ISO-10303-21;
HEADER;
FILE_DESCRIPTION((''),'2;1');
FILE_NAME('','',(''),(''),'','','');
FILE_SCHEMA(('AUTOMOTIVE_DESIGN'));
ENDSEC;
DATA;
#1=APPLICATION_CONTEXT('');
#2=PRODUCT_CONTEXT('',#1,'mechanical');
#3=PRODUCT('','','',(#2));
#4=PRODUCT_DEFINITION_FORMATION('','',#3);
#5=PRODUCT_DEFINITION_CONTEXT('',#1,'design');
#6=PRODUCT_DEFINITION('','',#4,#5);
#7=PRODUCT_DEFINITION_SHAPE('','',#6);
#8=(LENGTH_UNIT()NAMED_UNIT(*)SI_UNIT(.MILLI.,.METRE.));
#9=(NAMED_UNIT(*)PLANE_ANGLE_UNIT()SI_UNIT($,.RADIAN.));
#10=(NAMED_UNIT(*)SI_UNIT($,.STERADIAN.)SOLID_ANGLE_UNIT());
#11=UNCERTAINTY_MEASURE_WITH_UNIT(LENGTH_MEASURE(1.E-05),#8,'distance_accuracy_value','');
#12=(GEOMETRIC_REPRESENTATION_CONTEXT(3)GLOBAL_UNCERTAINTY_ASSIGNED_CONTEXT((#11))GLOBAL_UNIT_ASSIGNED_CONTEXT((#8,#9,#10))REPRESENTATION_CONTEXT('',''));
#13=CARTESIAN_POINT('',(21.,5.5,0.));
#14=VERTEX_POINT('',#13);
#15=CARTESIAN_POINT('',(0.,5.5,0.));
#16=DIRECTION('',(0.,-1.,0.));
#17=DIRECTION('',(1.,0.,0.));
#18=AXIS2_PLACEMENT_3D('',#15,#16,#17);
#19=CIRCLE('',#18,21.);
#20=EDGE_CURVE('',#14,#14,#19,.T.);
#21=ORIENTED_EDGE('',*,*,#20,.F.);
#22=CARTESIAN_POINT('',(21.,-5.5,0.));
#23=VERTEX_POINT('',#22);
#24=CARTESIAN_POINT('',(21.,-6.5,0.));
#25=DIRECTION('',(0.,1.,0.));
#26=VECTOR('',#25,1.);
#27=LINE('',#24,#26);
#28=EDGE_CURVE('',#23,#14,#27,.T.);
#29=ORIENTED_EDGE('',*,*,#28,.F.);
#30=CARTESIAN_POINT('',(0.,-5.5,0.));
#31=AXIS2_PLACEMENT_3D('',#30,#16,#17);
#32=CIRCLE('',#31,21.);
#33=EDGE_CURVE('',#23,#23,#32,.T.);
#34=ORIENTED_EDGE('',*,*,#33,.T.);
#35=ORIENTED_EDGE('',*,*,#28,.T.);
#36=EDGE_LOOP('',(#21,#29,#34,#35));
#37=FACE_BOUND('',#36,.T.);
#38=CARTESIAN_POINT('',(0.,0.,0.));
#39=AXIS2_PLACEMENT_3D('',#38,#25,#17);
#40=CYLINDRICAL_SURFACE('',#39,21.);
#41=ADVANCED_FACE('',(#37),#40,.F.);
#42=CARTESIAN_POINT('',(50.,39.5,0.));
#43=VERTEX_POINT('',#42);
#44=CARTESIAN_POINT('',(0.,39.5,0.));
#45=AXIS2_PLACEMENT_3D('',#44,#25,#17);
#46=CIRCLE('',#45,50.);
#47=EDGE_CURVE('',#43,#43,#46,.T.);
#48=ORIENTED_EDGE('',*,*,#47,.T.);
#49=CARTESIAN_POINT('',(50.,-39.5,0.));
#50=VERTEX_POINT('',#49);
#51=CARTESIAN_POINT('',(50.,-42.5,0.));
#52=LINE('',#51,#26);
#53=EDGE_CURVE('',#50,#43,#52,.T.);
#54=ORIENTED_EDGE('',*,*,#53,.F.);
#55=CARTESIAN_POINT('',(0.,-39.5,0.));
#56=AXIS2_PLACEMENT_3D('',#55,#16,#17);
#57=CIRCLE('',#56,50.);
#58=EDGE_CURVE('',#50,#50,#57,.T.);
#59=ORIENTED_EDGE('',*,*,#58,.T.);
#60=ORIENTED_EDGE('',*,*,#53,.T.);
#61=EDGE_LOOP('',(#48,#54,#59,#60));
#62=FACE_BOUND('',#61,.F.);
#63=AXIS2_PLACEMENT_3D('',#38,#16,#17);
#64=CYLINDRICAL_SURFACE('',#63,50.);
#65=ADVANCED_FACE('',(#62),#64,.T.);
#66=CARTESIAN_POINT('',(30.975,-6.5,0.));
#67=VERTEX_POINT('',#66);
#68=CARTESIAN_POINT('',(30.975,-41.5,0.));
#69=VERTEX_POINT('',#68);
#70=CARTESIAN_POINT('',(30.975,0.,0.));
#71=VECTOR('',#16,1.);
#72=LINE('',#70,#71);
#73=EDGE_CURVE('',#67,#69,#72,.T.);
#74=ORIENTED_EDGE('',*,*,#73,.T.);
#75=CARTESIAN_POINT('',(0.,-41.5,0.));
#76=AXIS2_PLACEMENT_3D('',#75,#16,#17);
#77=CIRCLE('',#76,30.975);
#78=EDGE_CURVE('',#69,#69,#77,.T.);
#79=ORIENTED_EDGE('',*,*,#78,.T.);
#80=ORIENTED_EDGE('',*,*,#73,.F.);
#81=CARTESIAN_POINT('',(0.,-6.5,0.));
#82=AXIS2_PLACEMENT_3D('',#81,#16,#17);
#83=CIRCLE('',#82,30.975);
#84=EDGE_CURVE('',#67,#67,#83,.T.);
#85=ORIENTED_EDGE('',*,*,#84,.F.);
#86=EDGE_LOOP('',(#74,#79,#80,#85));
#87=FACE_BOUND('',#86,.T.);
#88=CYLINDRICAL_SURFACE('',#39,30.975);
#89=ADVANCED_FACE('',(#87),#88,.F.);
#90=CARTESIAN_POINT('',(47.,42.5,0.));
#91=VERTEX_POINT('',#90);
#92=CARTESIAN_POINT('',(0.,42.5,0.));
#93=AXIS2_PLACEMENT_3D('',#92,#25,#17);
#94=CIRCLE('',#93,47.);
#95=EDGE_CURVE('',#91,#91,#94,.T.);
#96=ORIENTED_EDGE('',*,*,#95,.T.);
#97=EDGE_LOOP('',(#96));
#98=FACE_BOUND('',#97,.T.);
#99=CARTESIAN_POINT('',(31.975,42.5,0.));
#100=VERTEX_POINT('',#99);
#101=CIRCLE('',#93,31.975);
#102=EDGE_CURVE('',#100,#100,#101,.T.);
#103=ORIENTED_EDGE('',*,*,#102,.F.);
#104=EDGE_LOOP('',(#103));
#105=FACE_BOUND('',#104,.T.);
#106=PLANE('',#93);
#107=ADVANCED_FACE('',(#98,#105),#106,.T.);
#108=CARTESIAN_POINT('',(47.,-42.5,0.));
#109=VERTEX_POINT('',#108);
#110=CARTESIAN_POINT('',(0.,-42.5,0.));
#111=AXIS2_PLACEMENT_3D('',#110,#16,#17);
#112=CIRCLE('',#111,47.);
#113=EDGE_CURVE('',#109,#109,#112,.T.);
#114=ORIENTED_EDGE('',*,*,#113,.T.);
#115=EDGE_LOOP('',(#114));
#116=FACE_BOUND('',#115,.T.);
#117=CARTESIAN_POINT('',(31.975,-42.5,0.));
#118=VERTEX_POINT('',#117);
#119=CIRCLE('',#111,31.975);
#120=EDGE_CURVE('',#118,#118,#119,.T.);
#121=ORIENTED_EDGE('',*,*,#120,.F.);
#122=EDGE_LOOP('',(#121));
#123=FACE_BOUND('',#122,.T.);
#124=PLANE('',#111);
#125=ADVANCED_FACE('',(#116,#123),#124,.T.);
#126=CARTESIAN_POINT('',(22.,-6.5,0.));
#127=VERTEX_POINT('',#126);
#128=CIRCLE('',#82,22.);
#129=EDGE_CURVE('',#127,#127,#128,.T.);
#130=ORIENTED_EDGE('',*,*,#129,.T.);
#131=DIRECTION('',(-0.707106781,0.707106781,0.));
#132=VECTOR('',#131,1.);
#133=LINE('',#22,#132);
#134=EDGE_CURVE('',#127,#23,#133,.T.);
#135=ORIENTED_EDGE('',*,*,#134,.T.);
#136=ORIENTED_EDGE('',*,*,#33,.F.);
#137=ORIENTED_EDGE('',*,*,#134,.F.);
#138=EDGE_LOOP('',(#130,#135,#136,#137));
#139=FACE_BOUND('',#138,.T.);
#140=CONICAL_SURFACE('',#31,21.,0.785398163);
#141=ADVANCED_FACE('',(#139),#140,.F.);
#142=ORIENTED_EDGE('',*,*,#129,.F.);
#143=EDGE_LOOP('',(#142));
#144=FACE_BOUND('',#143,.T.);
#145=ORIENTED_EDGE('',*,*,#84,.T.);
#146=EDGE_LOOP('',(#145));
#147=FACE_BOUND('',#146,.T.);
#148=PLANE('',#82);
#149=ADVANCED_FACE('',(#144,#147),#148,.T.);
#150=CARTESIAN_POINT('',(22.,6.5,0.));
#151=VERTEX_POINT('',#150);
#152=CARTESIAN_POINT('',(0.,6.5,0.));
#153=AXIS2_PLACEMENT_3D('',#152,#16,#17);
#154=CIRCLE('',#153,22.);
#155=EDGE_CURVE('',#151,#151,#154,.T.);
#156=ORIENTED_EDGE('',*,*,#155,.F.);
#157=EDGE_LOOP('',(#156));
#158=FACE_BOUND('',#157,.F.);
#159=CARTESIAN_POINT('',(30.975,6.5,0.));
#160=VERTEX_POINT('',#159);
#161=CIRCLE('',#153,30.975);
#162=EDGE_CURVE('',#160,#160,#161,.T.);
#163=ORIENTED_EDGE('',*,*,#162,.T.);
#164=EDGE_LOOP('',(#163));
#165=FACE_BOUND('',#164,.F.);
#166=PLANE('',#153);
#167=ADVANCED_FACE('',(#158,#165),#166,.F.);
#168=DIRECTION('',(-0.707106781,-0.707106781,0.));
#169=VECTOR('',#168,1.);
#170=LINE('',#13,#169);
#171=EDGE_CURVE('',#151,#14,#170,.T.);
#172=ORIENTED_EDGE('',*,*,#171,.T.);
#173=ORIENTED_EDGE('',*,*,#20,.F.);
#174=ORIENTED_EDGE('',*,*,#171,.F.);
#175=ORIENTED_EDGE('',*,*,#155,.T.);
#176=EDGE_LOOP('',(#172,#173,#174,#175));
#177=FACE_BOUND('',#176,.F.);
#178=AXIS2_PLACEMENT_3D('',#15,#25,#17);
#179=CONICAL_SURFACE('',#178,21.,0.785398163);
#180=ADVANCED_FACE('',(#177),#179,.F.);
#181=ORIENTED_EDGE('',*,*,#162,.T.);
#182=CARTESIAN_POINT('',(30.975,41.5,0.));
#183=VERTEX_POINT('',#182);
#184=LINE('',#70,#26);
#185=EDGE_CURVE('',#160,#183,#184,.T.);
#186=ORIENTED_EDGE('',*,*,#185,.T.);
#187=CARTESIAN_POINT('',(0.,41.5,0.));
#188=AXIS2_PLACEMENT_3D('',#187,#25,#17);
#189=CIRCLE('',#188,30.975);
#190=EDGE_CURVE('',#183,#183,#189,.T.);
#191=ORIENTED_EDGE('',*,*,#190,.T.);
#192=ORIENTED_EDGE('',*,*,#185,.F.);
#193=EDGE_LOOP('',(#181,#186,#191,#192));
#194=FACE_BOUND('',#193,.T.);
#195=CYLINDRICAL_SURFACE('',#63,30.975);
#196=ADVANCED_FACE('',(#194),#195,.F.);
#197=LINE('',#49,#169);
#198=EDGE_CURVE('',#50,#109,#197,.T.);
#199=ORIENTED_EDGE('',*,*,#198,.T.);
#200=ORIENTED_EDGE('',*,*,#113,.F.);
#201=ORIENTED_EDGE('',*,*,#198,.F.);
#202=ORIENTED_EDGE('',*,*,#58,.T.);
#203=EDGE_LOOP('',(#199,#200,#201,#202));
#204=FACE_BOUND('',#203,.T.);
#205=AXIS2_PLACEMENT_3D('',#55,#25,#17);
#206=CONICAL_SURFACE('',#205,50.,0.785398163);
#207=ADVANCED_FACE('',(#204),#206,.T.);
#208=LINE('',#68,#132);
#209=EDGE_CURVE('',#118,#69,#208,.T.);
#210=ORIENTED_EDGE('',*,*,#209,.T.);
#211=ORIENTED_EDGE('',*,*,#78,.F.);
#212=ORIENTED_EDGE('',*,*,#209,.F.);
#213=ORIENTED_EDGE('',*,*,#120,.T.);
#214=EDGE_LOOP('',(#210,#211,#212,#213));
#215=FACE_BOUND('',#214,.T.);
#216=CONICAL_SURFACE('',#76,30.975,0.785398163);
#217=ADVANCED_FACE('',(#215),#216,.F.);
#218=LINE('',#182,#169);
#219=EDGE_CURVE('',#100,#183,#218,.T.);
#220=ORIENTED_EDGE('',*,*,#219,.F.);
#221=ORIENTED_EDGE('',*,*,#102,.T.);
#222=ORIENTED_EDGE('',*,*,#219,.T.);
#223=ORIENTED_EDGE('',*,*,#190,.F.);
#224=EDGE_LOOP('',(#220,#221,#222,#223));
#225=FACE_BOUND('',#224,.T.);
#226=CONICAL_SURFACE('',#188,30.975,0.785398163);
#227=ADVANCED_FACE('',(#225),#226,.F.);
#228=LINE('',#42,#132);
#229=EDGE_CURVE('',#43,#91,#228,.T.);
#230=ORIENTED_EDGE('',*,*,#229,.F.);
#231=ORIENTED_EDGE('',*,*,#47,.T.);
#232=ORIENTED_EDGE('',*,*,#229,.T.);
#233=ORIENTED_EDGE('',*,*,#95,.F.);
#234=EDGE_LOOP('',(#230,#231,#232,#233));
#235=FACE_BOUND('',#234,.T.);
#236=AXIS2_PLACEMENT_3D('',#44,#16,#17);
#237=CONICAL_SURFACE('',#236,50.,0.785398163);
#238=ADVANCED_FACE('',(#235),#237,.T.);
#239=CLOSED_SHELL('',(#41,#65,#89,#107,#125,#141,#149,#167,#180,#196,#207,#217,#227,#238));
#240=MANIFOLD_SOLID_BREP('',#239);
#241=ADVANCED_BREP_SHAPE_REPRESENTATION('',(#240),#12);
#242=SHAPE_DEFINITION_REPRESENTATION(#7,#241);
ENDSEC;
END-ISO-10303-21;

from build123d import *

# Parameters (mm, degrees)
F0_R        = 30.975
F0_R_2      = 21
F1_DEPTH    = 6.5
F0_R_3      = 50
F2_DEPTH    = 42.5
F2_FACE_R   = 50
F2_FACE_R_2 = 30.975
F3_DEPTH    = 42.5
F4_SIZE     = 3
F5_SIZE     = 1


with BuildPart() as f1:
    # F0 (on Front) → F1 (new body, symmetric)
    with BuildSketch(Plane.XZ):
        Circle(F0_R)
        Circle(F0_R_2, mode=Mode.SUBTRACT)
    extrude(amount=F1_DEPTH, both=True)

    # F0 (on Front) → F2 (join)
    with BuildSketch(Plane.XZ):
        Circle(F0_R_3)
        Circle(F0_R, mode=Mode.SUBTRACT)
    extrude(amount=F2_DEPTH)

    # F2_face (on face) → F3 (join)
    with BuildSketch(Plane(origin=(0, 0, 0), x_dir=(1, 0, 0), z_dir=(0, 1, 0))):
        Circle(F2_FACE_R)
        Circle(F2_FACE_R_2, mode=Mode.SUBTRACT)
    extrude(amount=F3_DEPTH)

    # F4
    f4_edges = [f1.edges().sort_by_distance(p)[0] for p in [
        (-50, 42.5, 0),
        (-50, -42.5, 0),
    ]]
    chamfer(f4_edges, length=F4_SIZE)

    # F5
    f5_edges = [f1.edges().sort_by_distance(p)[0] for p in [
        (-30.975, 42.5, 0),
        (-21, 6.5, 0),
        (-21, -6.5, 0),
        (-30.975, -42.5, 0),
    ]]
    chamfer(f5_edges, length=F5_SIZE)


solid = f1.part
